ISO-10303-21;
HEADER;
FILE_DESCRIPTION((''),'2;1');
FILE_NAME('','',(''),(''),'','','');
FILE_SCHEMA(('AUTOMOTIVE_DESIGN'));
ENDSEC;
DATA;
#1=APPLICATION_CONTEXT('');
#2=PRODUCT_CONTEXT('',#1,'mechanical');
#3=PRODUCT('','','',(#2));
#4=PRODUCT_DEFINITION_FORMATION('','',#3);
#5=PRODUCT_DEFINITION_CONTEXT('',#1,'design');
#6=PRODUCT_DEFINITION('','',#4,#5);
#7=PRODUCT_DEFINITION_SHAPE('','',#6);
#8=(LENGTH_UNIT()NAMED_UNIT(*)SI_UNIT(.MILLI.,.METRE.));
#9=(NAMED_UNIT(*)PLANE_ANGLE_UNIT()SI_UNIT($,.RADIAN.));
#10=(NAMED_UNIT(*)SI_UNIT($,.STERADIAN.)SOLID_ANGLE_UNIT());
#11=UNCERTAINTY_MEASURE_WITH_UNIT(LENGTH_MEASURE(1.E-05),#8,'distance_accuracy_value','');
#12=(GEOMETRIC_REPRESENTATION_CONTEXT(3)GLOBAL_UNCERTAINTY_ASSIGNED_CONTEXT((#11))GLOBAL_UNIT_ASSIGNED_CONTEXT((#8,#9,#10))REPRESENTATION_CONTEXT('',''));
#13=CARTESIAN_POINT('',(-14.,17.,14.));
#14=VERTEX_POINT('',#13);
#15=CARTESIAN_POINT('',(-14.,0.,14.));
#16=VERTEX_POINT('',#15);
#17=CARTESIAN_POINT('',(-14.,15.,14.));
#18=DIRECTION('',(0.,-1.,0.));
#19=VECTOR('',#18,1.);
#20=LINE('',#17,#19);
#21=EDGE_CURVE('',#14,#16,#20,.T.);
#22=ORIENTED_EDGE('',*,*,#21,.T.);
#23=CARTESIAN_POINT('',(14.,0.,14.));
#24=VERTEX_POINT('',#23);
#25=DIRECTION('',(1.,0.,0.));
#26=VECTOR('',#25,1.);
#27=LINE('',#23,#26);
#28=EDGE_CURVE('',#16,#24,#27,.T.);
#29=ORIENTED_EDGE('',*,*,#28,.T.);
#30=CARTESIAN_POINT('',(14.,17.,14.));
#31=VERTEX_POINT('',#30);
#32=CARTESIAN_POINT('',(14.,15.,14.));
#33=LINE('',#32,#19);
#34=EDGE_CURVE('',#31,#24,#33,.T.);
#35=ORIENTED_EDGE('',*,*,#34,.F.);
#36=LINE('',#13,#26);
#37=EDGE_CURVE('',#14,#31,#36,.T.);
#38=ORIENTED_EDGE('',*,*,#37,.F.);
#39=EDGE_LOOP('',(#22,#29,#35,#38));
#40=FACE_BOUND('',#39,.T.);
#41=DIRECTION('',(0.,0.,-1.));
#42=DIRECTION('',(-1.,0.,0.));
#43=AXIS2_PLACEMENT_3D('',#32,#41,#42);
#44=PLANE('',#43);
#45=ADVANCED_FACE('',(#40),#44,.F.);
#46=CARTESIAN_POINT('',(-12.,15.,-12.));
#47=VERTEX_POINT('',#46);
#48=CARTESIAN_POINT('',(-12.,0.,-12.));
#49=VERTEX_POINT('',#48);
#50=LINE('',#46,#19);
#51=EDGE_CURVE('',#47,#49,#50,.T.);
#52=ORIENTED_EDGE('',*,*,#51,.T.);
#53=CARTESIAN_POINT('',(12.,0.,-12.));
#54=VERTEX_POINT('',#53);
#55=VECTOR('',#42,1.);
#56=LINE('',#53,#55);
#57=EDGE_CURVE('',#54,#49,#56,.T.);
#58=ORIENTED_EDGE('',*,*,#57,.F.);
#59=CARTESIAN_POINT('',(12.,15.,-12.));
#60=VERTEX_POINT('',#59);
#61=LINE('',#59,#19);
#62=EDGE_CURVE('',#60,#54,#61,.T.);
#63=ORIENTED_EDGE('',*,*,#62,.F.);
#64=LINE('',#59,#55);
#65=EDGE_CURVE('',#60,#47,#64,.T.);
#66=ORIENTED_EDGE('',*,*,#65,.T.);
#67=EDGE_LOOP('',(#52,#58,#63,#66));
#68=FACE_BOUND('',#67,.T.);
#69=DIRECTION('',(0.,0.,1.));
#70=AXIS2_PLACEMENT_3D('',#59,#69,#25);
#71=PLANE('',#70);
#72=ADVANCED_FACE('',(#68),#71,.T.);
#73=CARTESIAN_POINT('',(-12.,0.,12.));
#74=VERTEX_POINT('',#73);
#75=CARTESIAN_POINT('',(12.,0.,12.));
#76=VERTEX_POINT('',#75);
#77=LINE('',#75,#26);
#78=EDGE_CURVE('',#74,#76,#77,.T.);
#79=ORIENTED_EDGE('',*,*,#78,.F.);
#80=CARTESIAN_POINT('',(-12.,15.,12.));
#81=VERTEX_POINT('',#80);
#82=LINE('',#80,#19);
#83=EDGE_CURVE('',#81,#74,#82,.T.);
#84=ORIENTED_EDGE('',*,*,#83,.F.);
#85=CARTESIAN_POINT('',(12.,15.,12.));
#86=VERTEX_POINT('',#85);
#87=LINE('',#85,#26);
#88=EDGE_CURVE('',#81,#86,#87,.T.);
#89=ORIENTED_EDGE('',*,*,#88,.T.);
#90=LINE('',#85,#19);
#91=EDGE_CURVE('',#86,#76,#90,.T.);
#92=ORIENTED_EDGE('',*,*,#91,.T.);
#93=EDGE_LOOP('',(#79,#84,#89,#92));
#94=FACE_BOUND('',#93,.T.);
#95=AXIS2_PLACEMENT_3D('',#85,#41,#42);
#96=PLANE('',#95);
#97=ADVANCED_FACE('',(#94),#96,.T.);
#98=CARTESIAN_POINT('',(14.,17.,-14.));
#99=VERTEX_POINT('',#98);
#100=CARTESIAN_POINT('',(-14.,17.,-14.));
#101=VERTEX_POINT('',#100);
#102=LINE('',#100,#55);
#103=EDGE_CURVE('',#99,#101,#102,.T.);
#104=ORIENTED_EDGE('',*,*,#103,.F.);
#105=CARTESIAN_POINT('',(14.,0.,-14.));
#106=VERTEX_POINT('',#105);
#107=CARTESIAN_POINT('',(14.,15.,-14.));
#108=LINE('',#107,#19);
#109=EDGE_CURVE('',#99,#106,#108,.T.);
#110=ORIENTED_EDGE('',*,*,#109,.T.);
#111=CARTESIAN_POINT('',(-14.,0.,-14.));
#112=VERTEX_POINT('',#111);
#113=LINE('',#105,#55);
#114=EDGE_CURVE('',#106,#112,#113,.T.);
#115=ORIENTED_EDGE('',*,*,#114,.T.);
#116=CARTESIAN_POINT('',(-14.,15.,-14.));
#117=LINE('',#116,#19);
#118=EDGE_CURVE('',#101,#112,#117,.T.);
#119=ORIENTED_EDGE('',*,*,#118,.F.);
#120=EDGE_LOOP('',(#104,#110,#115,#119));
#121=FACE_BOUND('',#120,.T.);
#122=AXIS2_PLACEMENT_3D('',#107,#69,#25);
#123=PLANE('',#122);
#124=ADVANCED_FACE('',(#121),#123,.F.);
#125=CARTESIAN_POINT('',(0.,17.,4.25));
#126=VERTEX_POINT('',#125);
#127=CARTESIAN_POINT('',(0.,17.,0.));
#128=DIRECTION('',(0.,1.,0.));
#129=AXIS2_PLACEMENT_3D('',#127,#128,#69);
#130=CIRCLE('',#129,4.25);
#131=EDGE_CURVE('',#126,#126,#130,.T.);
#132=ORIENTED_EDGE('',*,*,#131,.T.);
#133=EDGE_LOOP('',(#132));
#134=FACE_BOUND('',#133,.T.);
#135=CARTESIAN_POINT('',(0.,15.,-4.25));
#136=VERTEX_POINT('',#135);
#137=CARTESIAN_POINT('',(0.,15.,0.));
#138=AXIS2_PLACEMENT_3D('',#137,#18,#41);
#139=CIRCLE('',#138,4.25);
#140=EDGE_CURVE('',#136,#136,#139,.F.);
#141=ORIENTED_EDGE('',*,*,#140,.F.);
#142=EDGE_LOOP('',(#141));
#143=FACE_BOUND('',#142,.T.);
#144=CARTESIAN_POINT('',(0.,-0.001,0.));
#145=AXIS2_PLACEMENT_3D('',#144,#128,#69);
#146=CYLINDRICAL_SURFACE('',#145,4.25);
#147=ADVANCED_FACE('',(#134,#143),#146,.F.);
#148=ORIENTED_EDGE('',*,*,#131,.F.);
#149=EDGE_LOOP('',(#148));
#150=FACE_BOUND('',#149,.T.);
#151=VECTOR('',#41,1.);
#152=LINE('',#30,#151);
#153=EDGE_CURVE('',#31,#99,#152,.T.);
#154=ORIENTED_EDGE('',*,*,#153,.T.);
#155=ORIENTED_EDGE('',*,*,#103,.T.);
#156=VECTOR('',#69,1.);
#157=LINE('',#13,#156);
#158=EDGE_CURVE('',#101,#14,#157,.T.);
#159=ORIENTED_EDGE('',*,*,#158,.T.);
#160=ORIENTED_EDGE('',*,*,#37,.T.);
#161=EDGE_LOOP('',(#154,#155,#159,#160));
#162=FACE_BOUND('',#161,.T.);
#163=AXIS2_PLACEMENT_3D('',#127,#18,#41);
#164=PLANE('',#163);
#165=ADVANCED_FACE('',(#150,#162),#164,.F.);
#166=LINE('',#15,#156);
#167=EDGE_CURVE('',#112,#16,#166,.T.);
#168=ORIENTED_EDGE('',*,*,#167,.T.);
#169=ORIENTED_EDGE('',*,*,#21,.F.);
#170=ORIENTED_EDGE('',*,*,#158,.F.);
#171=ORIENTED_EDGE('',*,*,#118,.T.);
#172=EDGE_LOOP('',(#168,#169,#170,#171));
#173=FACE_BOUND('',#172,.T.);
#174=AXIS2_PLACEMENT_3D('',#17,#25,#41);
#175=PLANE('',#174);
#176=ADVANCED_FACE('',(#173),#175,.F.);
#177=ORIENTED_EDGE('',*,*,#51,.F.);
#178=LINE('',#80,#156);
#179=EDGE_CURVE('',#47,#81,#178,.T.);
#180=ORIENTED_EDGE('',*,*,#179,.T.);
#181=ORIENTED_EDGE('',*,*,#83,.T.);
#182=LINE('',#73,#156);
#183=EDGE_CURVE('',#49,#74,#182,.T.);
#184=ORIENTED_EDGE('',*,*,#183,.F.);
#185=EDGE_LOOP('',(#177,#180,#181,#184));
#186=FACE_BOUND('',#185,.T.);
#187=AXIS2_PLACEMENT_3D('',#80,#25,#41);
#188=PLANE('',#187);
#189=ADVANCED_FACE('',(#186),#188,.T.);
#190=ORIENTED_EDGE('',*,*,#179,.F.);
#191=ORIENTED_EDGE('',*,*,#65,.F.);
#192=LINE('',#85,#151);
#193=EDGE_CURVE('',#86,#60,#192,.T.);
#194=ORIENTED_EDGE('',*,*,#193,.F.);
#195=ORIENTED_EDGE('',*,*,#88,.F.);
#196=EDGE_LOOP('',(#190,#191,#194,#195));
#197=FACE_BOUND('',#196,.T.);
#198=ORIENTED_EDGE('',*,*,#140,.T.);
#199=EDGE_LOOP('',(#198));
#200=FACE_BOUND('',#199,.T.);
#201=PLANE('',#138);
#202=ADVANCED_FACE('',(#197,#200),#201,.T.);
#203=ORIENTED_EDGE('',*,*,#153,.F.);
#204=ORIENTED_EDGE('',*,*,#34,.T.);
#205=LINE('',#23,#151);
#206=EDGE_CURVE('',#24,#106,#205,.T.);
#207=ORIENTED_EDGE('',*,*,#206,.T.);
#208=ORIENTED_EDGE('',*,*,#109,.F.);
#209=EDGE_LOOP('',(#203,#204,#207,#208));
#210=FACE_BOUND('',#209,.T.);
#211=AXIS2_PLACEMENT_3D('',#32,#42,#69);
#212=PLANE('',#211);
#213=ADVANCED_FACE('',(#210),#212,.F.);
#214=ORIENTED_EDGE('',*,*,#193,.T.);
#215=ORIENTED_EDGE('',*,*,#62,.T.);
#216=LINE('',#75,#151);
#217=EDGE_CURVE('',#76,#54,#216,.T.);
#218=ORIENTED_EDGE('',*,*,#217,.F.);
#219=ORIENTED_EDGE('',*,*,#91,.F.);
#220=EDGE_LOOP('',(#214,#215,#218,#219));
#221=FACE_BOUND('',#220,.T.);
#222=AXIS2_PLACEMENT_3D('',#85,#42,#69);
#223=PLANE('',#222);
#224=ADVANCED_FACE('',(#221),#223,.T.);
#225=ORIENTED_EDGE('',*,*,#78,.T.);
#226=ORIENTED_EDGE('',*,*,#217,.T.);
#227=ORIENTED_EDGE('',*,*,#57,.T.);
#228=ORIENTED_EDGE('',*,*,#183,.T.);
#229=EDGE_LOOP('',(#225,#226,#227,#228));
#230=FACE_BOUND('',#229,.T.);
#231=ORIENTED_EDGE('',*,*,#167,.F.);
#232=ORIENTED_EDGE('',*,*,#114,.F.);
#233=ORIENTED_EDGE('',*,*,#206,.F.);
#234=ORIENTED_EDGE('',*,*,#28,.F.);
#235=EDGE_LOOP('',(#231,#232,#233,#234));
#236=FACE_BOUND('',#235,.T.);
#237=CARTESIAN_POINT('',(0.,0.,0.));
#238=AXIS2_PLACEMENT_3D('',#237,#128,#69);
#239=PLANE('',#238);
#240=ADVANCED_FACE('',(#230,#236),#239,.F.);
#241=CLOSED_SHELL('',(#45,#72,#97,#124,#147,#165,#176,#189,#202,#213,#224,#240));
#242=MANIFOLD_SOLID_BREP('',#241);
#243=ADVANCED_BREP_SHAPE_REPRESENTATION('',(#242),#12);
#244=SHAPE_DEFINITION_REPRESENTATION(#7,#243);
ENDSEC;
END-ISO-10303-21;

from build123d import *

# Parameters (mm, degrees)
SKETCH1_W           = 28
SKETCH1_H           = 28
SKETCH1_W_2         = 24
SKETCH1_H_2         = 24
BOSS_EXTRUDE1_DEPTH = 15
SKETCH2_W           = 28
SKETCH2_H           = 28
BOSS_EXTRUDE2_DEPTH = 2
CUT_EXTRUDE1_REACH  = 19
SKETCH3_R           = 4.25


with BuildPart() as part:
    # Sketch1 → Boss-Extrude1 (new body)
    with BuildSketch(Plane(origin=(0, 0, 0), x_dir=(1, 0, 0), z_dir=(0, 1, 0))):
        Rectangle(SKETCH1_W, SKETCH1_H)
        Rectangle(SKETCH1_W_2, SKETCH1_H_2, mode=Mode.SUBTRACT)
    extrude(amount=BOSS_EXTRUDE1_DEPTH)

    # Sketch2 → Boss-Extrude2 (add)
    with BuildSketch(Plane(origin=(0, 15, 0), x_dir=(1, 0, 0), z_dir=(0, 1, 0))):
        Rectangle(SKETCH2_W, SKETCH2_H)
    extrude(amount=BOSS_EXTRUDE2_DEPTH)

    # Sketch3 → Cut-Extrude1 (cut, up to next)
    with BuildSketch(Plane(origin=(0, 17, 0), x_dir=(1, 0, 0), z_dir=(0, 1, 0)), mode=Mode.PRIVATE) as cut_extrude1_sk1:
        Circle(SKETCH3_R)
    cut_extrude1_tool1 = extrude(cut_extrude1_sk1.sketch, amount=-CUT_EXTRUDE1_REACH, mode=Mode.PRIVATE) & part.part
    add(cut_extrude1_tool1.solids().sort_by_distance((0, 17, 0))[0], mode=Mode.SUBTRACT)


solid = part.part
